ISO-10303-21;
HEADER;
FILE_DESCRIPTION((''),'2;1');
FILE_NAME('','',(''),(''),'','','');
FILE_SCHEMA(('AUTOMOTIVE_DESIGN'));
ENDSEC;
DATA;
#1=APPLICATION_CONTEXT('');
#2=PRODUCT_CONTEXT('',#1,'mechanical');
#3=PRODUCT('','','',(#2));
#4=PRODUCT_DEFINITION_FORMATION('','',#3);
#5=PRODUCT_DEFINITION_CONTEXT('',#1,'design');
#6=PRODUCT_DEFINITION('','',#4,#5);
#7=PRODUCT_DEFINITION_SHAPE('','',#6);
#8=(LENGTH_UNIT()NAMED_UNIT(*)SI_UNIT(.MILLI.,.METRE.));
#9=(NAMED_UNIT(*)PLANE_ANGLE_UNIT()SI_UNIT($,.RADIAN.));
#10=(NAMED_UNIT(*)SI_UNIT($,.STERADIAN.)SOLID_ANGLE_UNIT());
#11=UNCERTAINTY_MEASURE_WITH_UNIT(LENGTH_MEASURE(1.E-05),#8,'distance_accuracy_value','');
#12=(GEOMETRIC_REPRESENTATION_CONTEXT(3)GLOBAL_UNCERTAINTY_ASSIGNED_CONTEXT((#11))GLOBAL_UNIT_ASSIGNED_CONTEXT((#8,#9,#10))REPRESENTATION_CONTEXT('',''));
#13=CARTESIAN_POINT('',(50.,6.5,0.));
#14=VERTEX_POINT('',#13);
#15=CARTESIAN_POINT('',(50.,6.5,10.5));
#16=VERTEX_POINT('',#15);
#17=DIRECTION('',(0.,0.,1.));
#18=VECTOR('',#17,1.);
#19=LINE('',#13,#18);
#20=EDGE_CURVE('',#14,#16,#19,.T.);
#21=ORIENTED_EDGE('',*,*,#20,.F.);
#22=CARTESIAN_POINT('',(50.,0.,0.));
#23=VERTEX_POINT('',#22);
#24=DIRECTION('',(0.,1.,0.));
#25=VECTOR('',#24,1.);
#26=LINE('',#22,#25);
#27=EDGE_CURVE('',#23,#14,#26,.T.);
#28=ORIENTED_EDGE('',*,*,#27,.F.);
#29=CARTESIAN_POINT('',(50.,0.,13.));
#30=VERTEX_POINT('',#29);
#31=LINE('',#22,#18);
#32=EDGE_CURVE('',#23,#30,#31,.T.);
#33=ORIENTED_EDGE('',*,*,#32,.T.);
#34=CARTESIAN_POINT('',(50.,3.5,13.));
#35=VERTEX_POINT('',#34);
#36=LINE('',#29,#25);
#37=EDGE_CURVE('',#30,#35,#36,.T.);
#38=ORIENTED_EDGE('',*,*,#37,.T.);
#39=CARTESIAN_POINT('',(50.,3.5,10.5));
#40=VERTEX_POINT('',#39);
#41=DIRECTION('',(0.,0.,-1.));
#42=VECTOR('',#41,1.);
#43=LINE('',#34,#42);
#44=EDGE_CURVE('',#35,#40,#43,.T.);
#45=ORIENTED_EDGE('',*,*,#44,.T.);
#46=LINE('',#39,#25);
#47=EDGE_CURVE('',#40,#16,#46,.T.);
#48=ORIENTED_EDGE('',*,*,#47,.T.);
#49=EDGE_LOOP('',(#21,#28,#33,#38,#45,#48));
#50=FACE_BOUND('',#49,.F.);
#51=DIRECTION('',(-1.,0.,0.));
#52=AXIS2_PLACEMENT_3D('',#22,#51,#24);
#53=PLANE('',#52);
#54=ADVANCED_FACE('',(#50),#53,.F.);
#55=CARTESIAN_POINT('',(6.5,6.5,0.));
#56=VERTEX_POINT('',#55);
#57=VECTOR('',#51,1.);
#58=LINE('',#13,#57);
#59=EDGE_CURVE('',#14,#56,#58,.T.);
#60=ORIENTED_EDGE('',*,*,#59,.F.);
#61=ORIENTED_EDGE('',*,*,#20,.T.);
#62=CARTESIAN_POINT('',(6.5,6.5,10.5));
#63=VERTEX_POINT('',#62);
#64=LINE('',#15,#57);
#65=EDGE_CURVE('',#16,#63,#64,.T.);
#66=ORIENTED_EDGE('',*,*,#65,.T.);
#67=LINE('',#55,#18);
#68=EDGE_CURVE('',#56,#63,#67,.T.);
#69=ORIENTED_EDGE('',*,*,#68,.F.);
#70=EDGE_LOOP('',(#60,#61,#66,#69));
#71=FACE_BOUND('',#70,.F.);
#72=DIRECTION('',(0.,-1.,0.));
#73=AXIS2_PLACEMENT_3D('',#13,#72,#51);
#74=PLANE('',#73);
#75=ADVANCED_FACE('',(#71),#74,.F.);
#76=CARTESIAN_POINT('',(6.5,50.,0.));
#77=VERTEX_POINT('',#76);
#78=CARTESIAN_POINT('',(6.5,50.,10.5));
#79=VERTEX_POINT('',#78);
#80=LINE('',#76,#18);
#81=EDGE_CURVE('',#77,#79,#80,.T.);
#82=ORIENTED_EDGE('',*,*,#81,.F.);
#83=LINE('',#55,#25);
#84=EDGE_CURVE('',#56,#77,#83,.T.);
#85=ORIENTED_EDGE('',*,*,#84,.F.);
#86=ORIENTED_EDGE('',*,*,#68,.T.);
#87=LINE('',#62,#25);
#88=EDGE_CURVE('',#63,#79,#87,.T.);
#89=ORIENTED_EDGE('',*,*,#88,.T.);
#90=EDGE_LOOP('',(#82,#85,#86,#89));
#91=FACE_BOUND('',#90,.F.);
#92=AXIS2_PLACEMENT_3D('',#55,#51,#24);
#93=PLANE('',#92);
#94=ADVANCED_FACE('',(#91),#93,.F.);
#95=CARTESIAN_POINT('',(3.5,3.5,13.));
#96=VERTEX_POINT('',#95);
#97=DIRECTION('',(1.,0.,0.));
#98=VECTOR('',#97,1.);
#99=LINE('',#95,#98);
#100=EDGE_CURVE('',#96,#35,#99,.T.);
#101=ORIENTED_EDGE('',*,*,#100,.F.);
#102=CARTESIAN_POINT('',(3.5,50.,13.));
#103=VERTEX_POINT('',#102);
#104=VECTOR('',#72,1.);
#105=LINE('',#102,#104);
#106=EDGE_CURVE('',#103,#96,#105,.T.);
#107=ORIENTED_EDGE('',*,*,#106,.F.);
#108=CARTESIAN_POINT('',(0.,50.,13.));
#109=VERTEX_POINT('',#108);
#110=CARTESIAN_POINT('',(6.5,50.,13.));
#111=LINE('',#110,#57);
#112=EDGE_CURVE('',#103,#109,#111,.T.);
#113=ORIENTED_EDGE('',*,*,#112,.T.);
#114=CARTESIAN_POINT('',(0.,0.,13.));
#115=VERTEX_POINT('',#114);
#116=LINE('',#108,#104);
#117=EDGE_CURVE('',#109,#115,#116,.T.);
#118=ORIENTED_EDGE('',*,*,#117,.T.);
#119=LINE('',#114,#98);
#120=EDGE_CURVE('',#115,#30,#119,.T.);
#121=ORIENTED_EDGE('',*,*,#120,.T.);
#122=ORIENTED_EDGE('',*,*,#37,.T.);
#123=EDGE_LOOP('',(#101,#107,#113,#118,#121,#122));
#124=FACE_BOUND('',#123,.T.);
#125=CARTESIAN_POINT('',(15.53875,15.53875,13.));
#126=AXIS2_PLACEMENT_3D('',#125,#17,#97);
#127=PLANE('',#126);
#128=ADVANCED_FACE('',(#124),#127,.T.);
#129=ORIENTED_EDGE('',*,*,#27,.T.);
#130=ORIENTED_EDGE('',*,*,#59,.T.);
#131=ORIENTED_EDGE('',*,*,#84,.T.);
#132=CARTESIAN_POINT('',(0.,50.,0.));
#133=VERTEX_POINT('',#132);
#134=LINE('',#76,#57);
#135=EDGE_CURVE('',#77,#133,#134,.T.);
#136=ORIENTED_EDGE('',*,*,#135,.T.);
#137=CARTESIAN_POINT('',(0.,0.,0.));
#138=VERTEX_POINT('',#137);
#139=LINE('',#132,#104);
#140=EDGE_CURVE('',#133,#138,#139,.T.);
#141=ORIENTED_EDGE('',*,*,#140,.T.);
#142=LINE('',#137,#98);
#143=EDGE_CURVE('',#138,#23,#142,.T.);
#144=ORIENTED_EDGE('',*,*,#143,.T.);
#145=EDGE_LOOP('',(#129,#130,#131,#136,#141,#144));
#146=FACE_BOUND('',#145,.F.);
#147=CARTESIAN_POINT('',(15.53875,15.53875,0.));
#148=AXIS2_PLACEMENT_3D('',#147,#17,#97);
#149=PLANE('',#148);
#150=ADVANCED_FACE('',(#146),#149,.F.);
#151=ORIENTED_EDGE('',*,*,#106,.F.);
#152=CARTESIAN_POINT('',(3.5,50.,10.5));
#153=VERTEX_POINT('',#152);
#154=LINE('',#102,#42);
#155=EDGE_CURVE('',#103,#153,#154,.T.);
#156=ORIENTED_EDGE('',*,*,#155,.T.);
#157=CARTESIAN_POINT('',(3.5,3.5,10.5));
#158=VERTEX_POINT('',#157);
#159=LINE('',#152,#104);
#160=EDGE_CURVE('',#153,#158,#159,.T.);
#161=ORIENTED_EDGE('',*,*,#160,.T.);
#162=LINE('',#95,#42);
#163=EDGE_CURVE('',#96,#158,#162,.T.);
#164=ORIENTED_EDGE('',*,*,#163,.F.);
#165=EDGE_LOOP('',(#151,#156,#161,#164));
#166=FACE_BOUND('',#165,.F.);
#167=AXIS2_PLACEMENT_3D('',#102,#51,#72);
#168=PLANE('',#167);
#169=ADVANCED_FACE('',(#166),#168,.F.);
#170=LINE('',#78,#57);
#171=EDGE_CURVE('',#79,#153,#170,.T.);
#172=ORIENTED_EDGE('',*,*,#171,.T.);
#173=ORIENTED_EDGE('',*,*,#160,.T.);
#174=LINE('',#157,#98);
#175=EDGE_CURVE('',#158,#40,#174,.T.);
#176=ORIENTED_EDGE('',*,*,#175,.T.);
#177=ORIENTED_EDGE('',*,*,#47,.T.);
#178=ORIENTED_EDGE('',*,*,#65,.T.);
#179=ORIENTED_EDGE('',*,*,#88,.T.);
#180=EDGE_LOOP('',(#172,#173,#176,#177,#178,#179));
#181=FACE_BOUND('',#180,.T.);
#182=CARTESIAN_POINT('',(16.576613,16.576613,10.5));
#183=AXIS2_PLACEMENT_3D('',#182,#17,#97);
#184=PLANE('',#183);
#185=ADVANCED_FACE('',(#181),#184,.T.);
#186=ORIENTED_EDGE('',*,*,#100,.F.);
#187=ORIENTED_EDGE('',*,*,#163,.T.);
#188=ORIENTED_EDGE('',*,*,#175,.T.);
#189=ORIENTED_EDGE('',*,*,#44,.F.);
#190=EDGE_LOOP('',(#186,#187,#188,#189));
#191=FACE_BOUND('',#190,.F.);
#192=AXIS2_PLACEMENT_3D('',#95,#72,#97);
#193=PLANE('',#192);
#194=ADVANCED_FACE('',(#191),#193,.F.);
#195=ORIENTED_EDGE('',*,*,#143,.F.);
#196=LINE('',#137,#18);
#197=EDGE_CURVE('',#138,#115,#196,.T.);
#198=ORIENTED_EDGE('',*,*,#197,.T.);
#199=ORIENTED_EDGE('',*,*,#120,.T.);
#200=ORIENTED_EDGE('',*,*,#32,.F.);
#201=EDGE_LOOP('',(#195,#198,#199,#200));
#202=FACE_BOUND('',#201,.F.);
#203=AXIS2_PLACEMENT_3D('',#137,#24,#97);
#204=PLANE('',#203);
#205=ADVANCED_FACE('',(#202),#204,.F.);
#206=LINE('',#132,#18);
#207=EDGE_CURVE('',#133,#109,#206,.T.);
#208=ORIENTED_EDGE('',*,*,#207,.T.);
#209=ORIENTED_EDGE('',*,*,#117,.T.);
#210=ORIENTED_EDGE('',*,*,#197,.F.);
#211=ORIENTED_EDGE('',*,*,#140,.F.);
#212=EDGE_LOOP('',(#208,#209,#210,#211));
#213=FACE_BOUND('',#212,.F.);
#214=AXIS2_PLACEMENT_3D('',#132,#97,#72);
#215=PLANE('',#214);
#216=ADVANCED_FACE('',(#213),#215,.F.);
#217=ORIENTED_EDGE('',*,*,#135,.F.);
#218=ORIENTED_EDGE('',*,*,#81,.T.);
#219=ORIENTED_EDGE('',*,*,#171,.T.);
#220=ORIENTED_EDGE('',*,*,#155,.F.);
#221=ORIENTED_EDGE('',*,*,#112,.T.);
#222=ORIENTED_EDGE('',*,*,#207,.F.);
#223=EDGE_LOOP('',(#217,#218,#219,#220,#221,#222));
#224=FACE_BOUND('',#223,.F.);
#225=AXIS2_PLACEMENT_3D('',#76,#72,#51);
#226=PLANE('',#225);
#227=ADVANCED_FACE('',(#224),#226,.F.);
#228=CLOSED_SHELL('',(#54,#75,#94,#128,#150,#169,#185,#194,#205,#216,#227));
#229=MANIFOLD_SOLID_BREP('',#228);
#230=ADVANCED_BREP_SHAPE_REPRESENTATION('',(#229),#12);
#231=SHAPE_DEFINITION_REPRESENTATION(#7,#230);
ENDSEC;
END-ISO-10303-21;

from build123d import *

# Parameters (mm, degrees)
F1_DEPTH = 13
F3_DEPTH = 2.5


with BuildPart() as f1:
    # F0 (on Top) → F1 (new body)
    with BuildSketch(Plane.XY):
        Polygon((0, 50), (0, 0), (50, 0), (50, 6.5), (6.5, 6.5), (6.5, 50), align=None)
    extrude(amount=F1_DEPTH)

    # F2 (on face) → F3 (cut)
    with BuildSketch(Plane.XY.offset(13)):
        Polygon((6.5, 6.5), (6.5, 50), (3.5, 50), (3.5, 3.5), (50, 3.5), (50, 6.5), align=None)
    extrude(amount=-F3_DEPTH, mode=Mode.SUBTRACT)


solid = f1.part
